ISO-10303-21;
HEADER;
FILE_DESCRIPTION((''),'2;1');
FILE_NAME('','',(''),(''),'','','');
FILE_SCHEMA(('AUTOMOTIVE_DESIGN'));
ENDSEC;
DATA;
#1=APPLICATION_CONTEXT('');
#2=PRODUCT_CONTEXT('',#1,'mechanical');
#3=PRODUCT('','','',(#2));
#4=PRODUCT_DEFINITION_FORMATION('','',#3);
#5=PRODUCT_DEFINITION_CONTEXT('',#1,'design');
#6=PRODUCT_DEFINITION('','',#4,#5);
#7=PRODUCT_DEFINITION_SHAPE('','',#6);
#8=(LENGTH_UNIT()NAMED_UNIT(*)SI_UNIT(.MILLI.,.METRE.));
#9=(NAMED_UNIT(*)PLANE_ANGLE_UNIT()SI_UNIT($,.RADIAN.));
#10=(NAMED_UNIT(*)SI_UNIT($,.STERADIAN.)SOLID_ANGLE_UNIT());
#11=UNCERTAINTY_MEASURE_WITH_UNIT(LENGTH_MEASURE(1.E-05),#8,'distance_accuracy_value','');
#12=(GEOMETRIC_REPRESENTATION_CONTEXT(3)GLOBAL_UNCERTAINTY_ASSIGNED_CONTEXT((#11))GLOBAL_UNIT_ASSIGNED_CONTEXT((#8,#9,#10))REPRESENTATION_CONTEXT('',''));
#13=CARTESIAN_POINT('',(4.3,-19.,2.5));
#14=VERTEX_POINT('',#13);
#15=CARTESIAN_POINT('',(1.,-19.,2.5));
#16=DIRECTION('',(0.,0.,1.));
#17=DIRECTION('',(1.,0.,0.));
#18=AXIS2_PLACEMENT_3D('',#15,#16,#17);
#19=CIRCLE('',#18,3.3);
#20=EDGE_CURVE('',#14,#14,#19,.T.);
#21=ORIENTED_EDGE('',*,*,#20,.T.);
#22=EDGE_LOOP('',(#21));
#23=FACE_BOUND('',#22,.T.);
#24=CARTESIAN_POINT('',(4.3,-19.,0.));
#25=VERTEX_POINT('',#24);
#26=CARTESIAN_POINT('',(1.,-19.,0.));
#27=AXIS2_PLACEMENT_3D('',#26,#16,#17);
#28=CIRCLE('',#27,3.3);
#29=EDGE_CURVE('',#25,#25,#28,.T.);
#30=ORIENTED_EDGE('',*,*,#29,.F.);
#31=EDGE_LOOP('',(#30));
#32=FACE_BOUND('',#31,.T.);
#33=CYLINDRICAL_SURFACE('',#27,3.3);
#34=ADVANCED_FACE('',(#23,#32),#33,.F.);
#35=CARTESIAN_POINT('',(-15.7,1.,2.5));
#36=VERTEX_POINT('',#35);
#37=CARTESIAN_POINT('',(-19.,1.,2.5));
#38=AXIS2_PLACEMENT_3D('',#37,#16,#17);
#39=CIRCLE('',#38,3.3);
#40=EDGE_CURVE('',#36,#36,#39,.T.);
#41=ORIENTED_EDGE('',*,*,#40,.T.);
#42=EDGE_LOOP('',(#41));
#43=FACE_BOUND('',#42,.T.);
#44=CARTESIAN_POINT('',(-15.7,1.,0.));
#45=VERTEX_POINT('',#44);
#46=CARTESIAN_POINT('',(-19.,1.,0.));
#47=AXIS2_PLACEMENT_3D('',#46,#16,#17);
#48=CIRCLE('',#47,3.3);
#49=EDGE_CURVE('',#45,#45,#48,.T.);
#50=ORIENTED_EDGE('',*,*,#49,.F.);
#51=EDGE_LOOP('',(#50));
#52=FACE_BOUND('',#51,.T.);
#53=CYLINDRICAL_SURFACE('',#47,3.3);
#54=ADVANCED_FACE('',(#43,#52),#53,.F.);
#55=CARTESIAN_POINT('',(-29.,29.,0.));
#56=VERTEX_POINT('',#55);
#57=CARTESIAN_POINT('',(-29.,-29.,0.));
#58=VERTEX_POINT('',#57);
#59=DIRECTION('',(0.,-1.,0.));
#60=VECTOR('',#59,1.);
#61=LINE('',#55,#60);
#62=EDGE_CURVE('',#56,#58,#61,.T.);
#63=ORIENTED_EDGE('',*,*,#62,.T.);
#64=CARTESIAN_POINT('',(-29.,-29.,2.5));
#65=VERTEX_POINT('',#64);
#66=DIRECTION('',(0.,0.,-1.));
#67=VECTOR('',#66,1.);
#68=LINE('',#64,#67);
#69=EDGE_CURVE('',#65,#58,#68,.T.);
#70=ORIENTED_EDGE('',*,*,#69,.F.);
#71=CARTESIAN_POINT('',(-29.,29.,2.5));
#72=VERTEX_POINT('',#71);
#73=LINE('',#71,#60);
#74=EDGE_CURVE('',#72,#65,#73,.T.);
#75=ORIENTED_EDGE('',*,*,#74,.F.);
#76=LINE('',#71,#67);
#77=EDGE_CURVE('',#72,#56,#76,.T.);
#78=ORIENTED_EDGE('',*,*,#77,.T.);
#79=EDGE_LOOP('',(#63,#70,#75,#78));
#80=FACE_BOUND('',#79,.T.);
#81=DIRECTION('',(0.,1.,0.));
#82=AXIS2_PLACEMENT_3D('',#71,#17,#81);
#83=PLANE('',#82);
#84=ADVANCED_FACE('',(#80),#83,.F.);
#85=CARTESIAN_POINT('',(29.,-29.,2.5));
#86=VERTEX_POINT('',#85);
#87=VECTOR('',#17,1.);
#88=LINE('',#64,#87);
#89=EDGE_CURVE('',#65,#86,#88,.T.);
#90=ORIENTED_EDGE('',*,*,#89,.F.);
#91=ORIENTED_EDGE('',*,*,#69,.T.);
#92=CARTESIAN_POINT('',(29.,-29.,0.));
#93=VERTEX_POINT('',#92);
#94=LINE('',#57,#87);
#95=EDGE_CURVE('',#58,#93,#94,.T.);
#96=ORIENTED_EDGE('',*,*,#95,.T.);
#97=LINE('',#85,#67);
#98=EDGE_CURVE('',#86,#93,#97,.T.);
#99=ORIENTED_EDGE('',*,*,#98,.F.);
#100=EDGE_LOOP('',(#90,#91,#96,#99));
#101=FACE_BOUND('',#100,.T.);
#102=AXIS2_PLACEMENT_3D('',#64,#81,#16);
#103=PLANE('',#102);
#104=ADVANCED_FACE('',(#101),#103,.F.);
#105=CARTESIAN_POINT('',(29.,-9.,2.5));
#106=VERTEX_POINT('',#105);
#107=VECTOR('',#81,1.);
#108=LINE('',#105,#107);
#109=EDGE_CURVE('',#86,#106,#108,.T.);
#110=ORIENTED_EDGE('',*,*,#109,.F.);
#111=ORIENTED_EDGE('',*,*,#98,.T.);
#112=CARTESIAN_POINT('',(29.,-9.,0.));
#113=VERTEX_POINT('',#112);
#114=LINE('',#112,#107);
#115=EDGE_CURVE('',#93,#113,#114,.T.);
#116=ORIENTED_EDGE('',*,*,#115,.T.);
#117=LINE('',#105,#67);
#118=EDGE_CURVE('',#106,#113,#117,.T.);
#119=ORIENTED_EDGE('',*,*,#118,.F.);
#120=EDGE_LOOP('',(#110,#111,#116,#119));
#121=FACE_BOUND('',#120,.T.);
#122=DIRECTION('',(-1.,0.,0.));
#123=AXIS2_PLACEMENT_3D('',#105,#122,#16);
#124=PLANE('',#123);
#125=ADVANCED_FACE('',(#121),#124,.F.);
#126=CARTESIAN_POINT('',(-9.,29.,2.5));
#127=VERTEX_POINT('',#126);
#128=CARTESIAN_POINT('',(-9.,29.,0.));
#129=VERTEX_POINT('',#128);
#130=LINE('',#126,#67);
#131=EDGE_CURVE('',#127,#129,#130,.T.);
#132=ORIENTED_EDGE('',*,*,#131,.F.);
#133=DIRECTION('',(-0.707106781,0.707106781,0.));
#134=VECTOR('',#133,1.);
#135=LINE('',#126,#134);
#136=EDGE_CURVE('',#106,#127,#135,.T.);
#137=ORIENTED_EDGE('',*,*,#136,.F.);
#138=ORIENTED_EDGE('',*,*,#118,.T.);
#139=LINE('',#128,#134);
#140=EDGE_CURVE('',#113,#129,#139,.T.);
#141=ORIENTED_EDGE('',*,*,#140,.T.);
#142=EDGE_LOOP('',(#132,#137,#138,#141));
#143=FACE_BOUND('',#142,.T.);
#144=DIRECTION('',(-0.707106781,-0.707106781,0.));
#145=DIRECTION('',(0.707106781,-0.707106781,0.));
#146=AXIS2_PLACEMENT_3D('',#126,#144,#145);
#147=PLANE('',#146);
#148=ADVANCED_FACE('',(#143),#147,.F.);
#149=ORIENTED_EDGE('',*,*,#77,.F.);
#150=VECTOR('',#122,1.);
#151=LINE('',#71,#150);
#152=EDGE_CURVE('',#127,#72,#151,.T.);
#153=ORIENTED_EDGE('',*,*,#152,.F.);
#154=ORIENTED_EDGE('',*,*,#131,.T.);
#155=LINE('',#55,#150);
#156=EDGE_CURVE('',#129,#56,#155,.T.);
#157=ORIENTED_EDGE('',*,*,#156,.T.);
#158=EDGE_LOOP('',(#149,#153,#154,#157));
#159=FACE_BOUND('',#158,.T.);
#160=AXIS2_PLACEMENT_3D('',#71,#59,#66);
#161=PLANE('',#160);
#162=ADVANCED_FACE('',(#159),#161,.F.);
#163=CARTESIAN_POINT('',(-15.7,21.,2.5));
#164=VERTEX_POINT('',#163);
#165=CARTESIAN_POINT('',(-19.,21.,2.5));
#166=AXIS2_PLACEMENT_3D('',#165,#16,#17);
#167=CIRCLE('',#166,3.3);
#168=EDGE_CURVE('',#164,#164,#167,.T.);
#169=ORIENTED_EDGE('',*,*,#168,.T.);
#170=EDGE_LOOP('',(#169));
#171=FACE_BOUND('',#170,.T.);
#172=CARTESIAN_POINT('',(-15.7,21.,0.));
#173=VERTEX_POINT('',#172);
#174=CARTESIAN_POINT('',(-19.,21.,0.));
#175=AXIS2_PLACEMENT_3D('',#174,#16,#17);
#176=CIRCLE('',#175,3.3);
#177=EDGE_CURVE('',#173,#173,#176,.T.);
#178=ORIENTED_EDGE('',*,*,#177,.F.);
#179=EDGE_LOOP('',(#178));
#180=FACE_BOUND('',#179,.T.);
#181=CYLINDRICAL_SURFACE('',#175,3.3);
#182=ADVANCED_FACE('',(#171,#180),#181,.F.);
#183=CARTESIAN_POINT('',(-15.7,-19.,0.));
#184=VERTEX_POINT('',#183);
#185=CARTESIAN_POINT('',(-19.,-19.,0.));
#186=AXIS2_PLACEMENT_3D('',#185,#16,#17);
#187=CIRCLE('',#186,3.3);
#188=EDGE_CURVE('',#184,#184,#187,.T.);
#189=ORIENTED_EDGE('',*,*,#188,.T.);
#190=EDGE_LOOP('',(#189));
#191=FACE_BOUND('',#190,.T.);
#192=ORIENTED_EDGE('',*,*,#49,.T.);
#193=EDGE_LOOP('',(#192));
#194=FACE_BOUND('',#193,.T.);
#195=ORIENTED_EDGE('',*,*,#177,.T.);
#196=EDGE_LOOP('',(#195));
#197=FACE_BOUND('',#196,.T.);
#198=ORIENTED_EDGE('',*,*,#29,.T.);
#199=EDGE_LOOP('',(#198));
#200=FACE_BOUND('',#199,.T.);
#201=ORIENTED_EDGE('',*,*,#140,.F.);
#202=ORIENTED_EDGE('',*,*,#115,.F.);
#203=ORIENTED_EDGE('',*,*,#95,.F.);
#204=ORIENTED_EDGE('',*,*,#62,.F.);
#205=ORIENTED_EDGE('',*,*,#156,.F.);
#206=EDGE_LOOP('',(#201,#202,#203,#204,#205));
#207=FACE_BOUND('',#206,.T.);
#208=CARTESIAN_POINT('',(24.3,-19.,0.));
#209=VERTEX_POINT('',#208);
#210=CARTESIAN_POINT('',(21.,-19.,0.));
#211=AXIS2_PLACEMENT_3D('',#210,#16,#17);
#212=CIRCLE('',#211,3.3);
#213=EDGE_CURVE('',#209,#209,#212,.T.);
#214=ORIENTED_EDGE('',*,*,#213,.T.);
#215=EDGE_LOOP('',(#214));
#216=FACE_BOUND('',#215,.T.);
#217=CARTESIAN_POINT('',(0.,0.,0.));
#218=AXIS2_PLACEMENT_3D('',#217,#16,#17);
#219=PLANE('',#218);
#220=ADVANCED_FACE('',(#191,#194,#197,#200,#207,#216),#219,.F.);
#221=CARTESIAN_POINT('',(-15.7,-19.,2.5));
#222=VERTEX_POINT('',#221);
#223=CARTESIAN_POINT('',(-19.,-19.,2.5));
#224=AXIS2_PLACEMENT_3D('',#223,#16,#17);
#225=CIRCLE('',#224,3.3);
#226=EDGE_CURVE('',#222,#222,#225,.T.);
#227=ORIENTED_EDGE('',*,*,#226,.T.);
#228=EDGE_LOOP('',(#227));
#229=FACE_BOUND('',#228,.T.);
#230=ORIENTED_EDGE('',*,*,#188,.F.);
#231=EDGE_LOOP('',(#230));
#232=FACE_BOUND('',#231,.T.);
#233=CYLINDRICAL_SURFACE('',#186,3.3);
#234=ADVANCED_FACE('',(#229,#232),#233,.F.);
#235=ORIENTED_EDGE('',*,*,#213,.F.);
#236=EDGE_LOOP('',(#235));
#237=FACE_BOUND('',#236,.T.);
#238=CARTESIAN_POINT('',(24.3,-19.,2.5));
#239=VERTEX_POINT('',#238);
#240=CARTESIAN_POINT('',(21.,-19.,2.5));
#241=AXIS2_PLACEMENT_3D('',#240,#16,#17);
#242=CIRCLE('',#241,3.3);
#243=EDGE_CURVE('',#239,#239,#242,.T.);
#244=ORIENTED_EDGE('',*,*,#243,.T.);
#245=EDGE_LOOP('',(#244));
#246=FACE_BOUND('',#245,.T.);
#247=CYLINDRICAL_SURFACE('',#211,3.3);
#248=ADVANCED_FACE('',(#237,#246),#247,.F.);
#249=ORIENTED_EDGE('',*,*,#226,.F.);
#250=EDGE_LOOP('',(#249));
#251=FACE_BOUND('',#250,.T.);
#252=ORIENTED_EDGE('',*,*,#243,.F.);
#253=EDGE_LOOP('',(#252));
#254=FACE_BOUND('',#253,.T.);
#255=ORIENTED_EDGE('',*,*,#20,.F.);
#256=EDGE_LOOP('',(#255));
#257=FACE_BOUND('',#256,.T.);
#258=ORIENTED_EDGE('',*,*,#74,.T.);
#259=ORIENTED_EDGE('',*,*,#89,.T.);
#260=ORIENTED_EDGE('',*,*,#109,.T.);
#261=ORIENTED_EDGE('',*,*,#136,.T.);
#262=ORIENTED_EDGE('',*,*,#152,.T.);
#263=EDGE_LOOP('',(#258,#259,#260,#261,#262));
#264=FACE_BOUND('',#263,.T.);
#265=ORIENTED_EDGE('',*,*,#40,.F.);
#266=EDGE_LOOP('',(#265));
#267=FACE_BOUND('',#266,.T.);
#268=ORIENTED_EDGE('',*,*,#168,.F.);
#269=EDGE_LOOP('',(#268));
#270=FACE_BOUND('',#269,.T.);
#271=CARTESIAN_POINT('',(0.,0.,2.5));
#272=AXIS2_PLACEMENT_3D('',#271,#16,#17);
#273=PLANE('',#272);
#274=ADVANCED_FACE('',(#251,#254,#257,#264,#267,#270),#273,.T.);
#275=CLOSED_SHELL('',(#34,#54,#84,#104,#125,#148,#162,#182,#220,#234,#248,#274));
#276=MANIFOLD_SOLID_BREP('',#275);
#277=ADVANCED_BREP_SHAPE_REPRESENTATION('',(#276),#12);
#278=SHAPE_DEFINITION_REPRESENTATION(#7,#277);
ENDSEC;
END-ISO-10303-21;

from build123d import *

# Parameters (mm, degrees)
BOSS_EXTRUDE1_DEPTH = 2.5
SKETCH2_R           = 3.3
CUT_EXTRUDE1_DEPTH  = 3.5
LPATTERN1_COUNT     = 3
LPATTERN1_PITCH     = 20
LPATTERN2_COUNT     = 3
LPATTERN2_PITCH     = 20


with BuildPart() as part:
    # Sketch1 → Boss-Extrude1 (new body)
    with BuildSketch(Plane.XY):
        Polygon((-9, 29), (29, -9), (29, -29), (-29, -29), (-29, 29), align=None)
    extrude(amount=BOSS_EXTRUDE1_DEPTH)

    # Sketch2 → Cut-Extrude1 (cut, through all)
    with BuildSketch(Plane.XY.offset(2.5)):
        with Locations((-19, -19)):
            Circle(SKETCH2_R)
    cut_extrude1 = extrude(amount=-CUT_EXTRUDE1_DEPTH, mode=Mode.SUBTRACT)

    # LPattern1: Cut-Extrude1 ×3
    with Locations(*[(i * LPATTERN1_PITCH, 0, 0) for i in range(1, LPATTERN1_COUNT)]):
        add(cut_extrude1, mode=Mode.SUBTRACT)

    # LPattern2: Cut-Extrude1 ×3
    with Locations(*[(0, i * LPATTERN2_PITCH, 0) for i in range(1, LPATTERN2_COUNT)]):
        add(cut_extrude1, mode=Mode.SUBTRACT)


solid = part.part
